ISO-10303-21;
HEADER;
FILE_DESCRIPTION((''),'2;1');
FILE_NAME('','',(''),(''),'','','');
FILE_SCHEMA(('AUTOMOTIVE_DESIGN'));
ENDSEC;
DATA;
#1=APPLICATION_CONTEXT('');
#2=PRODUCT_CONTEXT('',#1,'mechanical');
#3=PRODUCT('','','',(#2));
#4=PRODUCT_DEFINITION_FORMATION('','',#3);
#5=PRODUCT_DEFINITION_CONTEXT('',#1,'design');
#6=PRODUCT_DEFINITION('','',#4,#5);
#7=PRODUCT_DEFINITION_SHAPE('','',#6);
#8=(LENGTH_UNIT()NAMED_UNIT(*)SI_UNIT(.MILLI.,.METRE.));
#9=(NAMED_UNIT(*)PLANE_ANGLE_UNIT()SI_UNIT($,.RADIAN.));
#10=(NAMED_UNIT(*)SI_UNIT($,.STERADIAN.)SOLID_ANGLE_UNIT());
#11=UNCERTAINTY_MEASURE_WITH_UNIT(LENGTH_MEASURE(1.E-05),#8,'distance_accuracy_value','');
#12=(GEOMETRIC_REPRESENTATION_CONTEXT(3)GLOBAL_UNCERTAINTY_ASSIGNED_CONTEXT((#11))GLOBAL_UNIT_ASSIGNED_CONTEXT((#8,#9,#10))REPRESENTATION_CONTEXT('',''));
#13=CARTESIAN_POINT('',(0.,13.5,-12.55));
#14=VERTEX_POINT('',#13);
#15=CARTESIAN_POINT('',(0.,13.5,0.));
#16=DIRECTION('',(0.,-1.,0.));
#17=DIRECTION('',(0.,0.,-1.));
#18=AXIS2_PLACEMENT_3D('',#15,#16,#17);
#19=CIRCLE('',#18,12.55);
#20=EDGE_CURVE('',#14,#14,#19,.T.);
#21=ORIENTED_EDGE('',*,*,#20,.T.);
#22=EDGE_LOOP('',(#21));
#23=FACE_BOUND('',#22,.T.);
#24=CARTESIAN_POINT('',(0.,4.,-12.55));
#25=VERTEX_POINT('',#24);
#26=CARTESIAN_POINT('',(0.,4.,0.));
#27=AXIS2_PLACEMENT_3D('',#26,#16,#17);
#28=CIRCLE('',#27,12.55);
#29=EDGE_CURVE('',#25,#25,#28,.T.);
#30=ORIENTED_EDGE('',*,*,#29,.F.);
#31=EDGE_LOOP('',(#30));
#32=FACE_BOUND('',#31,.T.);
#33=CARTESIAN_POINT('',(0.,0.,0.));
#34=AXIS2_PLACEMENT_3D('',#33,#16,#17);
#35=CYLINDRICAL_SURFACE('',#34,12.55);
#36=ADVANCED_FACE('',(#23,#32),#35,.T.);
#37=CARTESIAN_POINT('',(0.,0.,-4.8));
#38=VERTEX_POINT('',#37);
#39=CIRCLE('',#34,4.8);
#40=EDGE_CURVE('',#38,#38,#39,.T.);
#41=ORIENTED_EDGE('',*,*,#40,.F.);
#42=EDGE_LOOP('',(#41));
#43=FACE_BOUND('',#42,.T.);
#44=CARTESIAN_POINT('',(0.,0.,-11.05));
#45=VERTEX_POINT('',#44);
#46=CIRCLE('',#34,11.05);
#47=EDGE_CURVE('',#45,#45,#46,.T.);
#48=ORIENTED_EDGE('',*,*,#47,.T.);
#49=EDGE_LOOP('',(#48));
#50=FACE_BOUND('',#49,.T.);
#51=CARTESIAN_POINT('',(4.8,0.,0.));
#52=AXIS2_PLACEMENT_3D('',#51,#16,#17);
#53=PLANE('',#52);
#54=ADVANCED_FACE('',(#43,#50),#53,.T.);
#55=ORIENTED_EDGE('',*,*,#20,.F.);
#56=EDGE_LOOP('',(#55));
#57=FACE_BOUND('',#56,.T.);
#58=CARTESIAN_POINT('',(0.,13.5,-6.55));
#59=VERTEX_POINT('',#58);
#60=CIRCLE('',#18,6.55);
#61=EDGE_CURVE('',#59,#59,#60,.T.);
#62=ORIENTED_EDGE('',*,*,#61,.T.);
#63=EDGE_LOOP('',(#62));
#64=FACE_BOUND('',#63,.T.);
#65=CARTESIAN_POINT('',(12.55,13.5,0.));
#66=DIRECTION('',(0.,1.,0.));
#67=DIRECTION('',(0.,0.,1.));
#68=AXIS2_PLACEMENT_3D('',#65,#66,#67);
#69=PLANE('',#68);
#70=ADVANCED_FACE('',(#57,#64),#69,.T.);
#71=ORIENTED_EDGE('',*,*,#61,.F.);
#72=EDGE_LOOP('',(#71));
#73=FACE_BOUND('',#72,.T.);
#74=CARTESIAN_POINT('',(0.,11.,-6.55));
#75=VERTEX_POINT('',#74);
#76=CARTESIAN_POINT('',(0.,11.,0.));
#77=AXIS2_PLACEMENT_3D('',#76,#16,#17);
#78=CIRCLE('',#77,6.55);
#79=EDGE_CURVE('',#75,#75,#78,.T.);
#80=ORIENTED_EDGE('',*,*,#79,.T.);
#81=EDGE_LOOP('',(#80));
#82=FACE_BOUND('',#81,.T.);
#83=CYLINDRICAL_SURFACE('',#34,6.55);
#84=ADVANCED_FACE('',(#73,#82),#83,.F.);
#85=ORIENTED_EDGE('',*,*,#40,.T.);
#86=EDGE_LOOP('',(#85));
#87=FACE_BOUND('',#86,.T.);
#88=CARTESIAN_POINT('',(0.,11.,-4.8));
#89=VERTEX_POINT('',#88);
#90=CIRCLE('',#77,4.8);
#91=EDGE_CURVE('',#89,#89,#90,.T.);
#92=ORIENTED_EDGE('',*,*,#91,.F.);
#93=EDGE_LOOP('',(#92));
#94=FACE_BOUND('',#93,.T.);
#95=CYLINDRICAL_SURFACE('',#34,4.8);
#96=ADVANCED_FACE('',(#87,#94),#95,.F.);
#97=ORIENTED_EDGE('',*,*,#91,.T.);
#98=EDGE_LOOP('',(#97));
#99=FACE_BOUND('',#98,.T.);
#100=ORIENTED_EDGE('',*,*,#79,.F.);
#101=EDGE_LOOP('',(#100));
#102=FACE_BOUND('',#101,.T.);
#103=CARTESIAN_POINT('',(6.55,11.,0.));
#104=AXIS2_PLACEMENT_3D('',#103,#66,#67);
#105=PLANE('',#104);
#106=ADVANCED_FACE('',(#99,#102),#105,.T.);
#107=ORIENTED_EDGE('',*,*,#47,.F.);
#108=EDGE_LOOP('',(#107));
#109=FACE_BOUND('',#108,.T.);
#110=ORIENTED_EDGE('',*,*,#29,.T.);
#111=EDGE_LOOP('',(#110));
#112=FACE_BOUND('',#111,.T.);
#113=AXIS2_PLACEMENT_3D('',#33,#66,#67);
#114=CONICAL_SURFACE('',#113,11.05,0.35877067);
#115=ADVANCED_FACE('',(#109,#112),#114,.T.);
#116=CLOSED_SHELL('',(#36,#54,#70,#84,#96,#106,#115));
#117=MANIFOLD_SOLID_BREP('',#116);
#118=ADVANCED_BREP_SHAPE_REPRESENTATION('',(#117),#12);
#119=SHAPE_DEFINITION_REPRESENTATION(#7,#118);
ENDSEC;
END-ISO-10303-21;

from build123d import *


with BuildPart() as part:
    # Sketch1 → Revolve1 (revolve)
    with BuildSketch(Plane.XY):
        Polygon((4.8, 0), (11.05, 0), (12.55, 4), (12.55, 13.5), (6.55, 13.5), (6.55, 11), (4.8, 11), align=None)
    revolve(axis=Axis((0, 0, 0), (0, 1, 0)))


solid = part.part
